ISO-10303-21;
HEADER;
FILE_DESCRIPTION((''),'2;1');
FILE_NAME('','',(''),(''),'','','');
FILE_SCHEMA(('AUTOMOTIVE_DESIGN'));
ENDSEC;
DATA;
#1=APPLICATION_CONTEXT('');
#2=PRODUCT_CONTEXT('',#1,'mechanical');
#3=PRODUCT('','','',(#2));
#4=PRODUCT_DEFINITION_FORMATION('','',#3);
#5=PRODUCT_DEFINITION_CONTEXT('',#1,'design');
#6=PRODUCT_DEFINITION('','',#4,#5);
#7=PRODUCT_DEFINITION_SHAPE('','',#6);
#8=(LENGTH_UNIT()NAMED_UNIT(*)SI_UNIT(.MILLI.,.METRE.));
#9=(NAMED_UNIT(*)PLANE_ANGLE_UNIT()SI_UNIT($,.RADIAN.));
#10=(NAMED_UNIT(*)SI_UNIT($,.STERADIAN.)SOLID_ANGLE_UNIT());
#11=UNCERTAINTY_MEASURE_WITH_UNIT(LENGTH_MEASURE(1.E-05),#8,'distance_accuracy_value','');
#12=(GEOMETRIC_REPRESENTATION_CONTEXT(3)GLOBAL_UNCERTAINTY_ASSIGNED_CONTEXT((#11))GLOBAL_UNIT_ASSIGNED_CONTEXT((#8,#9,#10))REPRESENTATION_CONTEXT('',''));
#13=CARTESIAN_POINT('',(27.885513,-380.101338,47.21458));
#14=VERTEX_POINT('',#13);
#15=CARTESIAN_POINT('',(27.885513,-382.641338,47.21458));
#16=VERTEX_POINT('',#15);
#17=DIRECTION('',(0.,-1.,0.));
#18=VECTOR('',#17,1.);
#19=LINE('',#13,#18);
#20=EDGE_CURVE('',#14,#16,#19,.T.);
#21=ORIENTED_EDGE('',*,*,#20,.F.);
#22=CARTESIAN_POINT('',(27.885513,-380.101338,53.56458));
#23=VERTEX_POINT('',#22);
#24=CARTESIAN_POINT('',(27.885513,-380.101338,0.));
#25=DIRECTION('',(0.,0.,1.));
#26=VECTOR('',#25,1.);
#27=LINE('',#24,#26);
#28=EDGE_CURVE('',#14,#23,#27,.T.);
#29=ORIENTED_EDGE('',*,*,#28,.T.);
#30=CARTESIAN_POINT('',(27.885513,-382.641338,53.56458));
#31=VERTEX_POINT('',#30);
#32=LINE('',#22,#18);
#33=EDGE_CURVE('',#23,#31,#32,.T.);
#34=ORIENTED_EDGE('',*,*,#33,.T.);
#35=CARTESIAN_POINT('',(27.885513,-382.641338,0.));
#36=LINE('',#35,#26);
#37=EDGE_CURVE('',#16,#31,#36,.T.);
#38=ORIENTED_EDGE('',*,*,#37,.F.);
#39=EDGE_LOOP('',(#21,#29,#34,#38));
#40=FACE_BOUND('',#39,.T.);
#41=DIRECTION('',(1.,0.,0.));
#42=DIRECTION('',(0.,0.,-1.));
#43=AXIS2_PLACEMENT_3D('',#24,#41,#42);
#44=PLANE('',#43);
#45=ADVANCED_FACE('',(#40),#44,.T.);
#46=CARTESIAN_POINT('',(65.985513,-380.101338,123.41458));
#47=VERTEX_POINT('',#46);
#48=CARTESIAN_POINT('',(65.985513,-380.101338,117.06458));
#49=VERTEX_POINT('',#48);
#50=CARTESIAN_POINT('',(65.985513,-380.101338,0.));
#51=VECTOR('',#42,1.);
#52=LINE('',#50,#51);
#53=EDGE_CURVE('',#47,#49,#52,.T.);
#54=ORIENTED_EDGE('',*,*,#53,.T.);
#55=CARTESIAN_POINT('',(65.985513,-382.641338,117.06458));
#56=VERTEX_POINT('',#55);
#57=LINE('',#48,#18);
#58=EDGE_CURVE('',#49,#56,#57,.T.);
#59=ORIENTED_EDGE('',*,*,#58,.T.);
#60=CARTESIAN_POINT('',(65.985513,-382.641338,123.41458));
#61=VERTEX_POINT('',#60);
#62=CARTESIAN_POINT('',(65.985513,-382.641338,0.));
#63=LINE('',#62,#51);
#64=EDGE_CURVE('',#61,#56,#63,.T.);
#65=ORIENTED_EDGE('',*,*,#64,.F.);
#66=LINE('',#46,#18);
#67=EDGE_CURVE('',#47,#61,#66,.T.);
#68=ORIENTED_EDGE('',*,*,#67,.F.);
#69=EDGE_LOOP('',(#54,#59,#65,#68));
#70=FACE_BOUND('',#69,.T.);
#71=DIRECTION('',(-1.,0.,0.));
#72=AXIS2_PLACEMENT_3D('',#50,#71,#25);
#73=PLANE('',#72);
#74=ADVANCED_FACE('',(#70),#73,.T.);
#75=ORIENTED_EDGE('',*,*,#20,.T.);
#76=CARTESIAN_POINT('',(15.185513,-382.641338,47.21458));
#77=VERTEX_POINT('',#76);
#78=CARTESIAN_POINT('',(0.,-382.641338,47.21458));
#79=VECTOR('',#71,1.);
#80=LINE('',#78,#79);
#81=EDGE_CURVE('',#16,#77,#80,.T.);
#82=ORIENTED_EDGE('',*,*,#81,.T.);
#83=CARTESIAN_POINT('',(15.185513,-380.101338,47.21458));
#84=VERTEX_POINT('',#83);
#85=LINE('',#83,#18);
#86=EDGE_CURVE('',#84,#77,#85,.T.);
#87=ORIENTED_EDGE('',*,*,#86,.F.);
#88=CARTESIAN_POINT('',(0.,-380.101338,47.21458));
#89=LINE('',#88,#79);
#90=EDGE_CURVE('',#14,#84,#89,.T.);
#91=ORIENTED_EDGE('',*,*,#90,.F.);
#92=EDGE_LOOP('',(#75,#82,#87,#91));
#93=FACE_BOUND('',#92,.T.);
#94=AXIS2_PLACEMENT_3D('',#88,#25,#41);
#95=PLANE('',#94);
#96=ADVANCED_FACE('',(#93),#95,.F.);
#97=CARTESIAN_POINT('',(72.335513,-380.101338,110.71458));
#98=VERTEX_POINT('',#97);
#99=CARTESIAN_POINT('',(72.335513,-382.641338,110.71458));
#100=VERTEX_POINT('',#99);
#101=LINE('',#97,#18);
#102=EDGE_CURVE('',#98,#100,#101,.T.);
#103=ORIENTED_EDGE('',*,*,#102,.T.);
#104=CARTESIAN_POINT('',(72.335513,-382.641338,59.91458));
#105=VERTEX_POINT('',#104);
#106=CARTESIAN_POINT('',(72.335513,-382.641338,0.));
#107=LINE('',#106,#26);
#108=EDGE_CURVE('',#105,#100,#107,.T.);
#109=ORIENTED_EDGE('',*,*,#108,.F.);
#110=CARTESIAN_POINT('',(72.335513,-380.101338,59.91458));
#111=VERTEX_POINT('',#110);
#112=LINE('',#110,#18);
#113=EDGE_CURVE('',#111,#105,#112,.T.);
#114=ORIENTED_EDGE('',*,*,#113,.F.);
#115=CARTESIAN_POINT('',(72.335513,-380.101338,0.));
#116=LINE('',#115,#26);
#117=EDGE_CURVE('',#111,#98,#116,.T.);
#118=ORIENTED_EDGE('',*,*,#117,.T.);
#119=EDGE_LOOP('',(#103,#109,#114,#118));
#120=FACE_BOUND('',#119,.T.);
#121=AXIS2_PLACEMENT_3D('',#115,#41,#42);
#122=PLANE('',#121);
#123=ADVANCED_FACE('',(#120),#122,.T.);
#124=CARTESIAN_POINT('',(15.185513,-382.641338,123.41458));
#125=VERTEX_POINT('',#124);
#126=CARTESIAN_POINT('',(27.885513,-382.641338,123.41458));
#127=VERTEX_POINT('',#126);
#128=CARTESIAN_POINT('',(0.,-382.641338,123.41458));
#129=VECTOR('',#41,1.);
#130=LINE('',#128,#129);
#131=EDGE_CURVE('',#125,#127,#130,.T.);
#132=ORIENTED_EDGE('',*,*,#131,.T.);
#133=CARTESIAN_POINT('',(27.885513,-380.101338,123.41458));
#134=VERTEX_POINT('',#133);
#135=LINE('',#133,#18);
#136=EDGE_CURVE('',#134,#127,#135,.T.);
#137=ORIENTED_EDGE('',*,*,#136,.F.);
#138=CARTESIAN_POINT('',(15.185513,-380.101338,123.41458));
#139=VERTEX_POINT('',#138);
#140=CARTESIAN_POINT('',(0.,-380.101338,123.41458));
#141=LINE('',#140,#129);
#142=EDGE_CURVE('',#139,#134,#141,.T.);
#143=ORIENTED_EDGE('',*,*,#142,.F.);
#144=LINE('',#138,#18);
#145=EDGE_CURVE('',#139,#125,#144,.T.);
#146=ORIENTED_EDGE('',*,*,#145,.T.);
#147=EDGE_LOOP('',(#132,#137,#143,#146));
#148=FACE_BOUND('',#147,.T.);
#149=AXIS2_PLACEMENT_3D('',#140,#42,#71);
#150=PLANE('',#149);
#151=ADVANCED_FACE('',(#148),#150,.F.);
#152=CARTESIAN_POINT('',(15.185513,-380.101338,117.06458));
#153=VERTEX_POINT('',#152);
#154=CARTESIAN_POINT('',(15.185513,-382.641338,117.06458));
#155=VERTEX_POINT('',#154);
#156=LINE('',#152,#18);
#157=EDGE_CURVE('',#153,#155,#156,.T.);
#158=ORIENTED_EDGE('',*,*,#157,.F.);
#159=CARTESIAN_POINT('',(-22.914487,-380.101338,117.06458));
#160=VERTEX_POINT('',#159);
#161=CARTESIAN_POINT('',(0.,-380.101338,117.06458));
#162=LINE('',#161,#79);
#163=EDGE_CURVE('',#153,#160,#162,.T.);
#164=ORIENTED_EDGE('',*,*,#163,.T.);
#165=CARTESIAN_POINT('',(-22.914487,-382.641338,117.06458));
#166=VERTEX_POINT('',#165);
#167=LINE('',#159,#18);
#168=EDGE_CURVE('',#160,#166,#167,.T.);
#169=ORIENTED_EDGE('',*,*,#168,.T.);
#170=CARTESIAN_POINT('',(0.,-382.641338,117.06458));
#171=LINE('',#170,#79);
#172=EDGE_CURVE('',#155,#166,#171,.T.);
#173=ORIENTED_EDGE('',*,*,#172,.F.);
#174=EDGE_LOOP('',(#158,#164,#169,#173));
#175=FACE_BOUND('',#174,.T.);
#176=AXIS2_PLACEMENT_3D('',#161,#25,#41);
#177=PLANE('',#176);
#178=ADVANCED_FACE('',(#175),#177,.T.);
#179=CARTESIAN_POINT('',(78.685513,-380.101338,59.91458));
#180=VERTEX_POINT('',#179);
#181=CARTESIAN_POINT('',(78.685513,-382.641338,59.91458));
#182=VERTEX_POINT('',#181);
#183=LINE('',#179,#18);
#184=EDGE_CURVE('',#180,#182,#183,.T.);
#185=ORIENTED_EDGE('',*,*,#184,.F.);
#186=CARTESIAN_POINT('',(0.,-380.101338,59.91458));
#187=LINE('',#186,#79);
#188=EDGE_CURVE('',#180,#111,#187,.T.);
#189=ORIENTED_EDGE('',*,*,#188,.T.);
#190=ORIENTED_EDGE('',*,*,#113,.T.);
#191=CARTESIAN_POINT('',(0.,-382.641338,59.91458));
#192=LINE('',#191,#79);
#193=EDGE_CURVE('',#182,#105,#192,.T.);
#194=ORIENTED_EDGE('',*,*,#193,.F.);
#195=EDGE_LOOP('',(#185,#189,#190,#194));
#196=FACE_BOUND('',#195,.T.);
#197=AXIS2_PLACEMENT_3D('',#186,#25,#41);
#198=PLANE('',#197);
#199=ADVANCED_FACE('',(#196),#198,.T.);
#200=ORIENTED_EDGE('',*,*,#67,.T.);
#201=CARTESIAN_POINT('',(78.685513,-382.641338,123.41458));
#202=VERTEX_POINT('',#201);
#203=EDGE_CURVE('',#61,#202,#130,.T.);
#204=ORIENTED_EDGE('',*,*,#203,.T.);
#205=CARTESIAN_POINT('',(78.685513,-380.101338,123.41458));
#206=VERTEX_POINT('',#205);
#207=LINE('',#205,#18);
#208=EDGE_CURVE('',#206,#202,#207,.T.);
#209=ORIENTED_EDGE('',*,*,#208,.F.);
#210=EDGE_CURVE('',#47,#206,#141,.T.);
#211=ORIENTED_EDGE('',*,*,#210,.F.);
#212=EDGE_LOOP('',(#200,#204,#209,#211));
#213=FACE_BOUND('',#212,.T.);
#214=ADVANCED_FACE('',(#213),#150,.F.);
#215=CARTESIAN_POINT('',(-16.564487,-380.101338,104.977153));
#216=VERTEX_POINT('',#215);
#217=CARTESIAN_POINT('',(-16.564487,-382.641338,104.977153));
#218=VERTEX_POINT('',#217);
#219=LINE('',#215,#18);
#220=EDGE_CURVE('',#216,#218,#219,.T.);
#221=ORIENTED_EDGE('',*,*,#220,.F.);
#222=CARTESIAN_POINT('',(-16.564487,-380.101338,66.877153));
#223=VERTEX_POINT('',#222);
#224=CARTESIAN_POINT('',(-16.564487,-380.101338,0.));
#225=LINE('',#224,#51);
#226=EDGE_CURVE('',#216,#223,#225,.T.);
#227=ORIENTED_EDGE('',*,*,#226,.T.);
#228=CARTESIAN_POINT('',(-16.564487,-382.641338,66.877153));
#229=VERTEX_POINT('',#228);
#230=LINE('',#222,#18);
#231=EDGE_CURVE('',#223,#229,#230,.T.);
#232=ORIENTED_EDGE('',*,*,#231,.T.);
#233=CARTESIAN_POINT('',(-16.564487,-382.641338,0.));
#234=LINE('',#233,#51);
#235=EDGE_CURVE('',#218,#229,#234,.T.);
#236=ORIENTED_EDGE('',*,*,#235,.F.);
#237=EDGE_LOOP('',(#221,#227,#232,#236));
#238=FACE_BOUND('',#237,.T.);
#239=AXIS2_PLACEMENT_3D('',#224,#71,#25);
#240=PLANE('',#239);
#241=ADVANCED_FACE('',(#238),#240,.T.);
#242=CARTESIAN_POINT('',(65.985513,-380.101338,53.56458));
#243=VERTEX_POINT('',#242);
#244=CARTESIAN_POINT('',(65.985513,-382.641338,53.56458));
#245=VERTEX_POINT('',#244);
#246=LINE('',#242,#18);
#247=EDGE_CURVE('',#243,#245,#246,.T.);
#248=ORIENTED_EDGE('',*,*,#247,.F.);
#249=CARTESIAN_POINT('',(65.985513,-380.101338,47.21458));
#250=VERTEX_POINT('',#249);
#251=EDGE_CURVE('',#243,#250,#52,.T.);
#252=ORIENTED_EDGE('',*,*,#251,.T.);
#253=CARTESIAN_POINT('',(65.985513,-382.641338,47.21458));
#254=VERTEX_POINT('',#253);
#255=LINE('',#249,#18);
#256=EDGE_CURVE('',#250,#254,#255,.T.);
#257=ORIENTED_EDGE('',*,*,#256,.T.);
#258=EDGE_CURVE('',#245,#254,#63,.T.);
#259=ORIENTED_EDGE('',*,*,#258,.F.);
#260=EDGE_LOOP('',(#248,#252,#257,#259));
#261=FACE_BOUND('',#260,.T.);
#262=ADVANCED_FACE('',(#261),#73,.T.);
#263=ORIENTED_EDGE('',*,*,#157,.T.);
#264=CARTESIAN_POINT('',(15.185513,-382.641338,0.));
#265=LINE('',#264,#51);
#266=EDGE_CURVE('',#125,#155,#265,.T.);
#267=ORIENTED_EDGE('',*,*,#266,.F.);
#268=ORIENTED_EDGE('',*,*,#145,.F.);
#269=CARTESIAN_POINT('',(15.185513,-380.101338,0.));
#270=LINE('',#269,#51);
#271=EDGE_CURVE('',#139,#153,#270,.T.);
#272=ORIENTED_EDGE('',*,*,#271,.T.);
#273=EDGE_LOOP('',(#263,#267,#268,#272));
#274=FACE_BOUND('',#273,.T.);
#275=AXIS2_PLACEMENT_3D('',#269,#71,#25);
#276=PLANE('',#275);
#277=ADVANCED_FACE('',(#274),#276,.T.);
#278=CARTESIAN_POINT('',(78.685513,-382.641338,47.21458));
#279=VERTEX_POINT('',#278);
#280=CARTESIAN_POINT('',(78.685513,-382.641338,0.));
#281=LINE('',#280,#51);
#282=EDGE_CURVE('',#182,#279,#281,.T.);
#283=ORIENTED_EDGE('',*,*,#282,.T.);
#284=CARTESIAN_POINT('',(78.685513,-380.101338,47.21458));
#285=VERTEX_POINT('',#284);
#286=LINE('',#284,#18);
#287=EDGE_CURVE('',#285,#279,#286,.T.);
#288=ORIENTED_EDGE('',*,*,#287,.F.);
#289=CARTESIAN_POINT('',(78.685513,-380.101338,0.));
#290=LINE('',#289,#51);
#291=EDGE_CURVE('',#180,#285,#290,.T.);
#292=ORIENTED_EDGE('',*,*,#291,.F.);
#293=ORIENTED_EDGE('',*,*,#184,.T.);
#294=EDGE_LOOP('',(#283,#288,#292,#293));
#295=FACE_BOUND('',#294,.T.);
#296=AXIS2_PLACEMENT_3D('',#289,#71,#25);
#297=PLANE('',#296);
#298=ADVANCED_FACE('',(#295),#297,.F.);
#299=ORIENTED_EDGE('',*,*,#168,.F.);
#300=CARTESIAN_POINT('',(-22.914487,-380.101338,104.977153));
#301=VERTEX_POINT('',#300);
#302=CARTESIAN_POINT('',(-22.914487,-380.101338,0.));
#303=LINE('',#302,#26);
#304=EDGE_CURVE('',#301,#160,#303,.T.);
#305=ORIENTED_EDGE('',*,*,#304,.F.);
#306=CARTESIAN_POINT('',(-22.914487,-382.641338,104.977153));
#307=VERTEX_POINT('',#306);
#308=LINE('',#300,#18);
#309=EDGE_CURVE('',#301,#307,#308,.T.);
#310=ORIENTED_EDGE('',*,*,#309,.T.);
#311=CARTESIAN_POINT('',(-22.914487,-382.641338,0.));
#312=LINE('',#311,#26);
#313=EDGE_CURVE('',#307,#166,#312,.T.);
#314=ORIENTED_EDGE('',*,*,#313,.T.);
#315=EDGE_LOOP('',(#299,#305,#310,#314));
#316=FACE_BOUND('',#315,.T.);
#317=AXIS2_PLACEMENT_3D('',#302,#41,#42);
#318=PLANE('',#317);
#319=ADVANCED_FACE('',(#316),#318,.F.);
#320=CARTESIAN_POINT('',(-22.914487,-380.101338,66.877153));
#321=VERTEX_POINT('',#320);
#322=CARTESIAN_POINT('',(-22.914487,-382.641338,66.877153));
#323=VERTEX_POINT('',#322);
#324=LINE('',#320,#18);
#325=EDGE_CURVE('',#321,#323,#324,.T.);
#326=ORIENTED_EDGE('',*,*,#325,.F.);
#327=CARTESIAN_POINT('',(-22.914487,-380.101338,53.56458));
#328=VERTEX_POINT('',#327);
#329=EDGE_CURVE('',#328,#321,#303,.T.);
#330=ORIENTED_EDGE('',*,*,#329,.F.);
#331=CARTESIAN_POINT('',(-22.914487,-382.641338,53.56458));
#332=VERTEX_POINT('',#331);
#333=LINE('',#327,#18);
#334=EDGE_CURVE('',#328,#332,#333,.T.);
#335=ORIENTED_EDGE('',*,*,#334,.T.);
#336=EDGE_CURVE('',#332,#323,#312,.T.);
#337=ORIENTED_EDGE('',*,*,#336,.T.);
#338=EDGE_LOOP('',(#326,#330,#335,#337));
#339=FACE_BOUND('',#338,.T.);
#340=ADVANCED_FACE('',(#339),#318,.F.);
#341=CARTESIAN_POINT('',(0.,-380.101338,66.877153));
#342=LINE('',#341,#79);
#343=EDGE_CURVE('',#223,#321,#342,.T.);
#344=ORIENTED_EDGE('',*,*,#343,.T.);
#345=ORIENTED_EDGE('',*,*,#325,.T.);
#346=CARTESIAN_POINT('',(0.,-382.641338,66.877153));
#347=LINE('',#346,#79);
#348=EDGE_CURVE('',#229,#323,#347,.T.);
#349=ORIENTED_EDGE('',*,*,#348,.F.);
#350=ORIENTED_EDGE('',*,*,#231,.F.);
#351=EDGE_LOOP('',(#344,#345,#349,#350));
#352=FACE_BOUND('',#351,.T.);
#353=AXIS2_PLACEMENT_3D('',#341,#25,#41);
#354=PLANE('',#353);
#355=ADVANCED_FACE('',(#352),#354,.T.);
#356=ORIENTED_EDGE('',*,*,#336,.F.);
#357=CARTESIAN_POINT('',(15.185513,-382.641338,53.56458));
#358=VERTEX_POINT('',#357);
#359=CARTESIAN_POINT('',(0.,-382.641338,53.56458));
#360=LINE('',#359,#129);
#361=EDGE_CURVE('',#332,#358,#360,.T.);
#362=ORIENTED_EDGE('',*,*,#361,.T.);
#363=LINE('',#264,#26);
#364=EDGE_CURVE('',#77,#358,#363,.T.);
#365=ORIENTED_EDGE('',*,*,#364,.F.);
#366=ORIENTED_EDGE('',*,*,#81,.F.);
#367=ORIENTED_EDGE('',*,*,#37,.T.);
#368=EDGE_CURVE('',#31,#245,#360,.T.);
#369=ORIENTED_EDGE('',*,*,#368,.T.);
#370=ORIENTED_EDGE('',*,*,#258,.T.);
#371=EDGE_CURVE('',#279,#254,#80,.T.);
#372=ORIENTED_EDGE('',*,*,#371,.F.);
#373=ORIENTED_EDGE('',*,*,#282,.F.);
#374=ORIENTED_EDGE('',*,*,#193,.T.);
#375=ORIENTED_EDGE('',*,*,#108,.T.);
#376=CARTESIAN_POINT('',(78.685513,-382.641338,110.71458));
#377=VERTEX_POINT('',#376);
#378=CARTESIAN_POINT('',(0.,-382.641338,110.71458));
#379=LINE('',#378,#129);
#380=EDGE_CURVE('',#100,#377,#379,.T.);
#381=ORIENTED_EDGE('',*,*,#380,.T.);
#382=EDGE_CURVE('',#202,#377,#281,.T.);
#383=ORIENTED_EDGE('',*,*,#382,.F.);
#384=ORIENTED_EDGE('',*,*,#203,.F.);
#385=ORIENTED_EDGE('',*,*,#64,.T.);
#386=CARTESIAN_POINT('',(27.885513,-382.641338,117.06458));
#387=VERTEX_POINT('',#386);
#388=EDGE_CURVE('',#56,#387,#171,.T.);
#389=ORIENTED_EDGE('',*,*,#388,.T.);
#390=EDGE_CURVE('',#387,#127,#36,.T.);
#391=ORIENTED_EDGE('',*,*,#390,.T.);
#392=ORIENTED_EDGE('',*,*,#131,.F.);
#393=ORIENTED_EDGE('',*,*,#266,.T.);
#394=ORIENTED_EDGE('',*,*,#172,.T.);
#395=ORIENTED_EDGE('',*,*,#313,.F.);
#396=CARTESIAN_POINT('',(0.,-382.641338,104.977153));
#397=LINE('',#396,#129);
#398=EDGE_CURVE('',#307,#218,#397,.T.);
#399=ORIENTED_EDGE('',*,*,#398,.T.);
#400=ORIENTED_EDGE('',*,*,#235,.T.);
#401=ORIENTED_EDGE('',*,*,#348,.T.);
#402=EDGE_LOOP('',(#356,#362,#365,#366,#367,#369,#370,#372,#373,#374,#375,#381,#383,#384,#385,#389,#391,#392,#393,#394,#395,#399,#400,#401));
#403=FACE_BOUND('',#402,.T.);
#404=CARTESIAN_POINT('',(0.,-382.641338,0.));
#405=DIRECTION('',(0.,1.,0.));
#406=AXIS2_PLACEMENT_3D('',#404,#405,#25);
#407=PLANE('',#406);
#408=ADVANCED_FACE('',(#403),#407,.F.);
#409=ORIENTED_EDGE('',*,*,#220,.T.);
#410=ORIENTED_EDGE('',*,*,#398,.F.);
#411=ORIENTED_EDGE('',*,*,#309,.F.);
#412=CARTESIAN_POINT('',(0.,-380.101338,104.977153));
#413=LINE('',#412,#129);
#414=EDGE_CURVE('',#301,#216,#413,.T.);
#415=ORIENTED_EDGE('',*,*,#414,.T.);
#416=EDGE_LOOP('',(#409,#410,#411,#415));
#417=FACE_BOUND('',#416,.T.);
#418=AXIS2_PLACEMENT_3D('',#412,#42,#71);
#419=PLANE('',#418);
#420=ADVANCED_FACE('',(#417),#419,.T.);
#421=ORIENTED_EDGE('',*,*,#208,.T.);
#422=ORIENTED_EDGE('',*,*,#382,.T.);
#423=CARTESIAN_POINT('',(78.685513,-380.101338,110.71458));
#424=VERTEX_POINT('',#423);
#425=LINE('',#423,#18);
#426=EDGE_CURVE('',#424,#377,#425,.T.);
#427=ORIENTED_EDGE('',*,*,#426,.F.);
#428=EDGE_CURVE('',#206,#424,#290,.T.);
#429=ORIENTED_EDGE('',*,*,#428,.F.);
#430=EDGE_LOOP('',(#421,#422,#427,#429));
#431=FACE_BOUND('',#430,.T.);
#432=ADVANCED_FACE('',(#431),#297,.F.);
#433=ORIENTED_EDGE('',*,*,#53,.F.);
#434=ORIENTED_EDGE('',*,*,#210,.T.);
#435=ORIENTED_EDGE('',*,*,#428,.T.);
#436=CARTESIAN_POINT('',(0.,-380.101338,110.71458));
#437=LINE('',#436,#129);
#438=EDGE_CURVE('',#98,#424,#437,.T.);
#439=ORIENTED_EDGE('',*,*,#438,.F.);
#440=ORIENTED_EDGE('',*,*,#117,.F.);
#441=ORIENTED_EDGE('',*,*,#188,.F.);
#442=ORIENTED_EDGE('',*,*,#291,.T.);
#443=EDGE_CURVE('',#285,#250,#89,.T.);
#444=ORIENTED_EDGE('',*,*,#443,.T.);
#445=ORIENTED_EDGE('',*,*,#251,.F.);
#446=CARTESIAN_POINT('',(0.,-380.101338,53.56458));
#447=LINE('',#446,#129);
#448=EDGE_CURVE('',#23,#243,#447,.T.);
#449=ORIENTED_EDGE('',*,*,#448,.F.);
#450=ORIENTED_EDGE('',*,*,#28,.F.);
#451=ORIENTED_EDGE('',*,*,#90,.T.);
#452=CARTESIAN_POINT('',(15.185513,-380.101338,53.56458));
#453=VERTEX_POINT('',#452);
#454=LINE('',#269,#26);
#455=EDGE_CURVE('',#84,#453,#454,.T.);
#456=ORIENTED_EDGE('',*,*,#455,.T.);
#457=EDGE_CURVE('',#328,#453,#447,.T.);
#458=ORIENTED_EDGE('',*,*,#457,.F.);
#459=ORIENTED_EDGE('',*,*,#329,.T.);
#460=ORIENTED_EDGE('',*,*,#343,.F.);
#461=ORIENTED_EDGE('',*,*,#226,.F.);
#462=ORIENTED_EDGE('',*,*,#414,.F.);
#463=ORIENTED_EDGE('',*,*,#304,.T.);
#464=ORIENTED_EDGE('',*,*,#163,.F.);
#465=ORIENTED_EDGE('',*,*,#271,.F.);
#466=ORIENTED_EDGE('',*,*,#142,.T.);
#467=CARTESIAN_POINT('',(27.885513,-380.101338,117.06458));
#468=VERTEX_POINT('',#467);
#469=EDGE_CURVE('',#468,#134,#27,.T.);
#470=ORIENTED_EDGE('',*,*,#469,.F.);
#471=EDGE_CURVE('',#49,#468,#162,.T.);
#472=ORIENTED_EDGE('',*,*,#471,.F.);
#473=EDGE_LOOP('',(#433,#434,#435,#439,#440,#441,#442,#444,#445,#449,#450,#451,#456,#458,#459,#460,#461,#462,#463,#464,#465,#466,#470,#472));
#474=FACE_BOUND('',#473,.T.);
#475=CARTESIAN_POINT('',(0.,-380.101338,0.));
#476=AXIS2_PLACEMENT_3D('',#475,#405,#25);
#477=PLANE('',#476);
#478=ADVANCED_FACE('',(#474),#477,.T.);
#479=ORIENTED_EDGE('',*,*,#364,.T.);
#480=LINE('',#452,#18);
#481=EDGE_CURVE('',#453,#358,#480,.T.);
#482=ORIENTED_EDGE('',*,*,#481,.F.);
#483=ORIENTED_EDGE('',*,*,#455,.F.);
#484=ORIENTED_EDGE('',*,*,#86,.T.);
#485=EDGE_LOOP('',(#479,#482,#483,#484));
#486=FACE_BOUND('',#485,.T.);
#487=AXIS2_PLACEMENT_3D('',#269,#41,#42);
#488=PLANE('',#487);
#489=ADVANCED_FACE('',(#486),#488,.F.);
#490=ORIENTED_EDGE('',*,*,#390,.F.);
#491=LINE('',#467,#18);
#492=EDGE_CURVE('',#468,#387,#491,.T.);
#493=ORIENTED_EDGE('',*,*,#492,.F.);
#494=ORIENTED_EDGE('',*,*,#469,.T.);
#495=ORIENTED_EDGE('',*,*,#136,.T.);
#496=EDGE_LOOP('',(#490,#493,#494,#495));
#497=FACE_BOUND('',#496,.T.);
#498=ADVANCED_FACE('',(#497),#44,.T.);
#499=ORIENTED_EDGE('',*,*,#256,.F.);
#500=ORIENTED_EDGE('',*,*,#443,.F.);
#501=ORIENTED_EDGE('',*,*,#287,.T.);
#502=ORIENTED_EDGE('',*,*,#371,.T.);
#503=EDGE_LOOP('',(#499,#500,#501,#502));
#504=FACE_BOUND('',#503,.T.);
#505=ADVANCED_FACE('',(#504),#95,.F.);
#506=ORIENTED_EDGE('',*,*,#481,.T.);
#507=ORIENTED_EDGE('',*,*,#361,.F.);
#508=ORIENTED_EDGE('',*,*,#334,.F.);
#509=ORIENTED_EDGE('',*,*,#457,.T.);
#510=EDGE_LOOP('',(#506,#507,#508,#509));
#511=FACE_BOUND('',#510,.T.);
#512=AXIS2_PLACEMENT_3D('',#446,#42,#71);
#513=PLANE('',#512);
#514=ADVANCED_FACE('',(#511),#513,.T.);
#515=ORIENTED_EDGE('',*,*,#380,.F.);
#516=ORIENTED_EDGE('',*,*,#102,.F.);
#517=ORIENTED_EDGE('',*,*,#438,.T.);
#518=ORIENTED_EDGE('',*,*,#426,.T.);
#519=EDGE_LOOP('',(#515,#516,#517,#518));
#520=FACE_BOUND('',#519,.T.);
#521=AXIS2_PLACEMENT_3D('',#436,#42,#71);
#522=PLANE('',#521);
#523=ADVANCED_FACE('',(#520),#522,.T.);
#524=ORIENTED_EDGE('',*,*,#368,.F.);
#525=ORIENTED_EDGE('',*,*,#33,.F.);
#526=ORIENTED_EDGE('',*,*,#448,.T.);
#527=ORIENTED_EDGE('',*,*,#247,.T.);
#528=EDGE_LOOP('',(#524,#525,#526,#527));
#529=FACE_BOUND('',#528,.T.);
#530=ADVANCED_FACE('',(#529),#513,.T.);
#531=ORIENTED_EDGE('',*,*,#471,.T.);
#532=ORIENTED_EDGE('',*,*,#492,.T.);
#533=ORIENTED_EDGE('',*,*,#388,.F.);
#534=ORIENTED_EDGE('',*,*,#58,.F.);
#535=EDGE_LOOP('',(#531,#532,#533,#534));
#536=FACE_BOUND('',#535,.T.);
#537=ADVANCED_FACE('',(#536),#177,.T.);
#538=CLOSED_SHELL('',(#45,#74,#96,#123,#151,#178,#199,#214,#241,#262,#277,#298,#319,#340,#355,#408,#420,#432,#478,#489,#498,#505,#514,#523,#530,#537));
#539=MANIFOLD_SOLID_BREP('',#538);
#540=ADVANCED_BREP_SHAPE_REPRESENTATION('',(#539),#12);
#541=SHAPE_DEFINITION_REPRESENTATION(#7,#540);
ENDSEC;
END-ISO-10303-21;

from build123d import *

# Parameters (mm, degrees)
BOSS_EXTRUDE1_DEPTH = 2.54


with BuildPart() as part:
    # Sketch2 → Boss-Extrude1 (new body)
    with BuildSketch(Plane(origin=(0, -382.641338205, 0), x_dir=(1, 0, 0), z_dir=(0, 1, 0))):
        Polygon((72.335513148, -59.914580045), (78.685513148, -59.914580045), (78.685513148, -47.214580045), (65.985513148, -47.214580045), (65.985513148, -53.564580045), (27.885513148, -53.564580045), (27.885513148, -47.214580045), (15.185513148, -47.214580045), (15.185513148, -53.564580045), (-22.914486852, -53.564580045), (-22.914486852, -66.87715292), (-16.564486852, -66.87715292), (-16.564486852, -104.97715292), (-22.914486852, -104.97715292), (-22.914486852, -117.064580045), (15.185513148, -117.064580045), (15.185513148, -123.414580045), (27.885513148, -123.414580045), (27.885513148, -117.064580045), (65.985513148, -117.064580045), (65.985513148, -123.414580045), (78.685513148, -123.414580045), (78.685513148, -110.714580045), (72.335513148, -110.714580045), align=None)
    extrude(amount=BOSS_EXTRUDE1_DEPTH)


solid = part.part
